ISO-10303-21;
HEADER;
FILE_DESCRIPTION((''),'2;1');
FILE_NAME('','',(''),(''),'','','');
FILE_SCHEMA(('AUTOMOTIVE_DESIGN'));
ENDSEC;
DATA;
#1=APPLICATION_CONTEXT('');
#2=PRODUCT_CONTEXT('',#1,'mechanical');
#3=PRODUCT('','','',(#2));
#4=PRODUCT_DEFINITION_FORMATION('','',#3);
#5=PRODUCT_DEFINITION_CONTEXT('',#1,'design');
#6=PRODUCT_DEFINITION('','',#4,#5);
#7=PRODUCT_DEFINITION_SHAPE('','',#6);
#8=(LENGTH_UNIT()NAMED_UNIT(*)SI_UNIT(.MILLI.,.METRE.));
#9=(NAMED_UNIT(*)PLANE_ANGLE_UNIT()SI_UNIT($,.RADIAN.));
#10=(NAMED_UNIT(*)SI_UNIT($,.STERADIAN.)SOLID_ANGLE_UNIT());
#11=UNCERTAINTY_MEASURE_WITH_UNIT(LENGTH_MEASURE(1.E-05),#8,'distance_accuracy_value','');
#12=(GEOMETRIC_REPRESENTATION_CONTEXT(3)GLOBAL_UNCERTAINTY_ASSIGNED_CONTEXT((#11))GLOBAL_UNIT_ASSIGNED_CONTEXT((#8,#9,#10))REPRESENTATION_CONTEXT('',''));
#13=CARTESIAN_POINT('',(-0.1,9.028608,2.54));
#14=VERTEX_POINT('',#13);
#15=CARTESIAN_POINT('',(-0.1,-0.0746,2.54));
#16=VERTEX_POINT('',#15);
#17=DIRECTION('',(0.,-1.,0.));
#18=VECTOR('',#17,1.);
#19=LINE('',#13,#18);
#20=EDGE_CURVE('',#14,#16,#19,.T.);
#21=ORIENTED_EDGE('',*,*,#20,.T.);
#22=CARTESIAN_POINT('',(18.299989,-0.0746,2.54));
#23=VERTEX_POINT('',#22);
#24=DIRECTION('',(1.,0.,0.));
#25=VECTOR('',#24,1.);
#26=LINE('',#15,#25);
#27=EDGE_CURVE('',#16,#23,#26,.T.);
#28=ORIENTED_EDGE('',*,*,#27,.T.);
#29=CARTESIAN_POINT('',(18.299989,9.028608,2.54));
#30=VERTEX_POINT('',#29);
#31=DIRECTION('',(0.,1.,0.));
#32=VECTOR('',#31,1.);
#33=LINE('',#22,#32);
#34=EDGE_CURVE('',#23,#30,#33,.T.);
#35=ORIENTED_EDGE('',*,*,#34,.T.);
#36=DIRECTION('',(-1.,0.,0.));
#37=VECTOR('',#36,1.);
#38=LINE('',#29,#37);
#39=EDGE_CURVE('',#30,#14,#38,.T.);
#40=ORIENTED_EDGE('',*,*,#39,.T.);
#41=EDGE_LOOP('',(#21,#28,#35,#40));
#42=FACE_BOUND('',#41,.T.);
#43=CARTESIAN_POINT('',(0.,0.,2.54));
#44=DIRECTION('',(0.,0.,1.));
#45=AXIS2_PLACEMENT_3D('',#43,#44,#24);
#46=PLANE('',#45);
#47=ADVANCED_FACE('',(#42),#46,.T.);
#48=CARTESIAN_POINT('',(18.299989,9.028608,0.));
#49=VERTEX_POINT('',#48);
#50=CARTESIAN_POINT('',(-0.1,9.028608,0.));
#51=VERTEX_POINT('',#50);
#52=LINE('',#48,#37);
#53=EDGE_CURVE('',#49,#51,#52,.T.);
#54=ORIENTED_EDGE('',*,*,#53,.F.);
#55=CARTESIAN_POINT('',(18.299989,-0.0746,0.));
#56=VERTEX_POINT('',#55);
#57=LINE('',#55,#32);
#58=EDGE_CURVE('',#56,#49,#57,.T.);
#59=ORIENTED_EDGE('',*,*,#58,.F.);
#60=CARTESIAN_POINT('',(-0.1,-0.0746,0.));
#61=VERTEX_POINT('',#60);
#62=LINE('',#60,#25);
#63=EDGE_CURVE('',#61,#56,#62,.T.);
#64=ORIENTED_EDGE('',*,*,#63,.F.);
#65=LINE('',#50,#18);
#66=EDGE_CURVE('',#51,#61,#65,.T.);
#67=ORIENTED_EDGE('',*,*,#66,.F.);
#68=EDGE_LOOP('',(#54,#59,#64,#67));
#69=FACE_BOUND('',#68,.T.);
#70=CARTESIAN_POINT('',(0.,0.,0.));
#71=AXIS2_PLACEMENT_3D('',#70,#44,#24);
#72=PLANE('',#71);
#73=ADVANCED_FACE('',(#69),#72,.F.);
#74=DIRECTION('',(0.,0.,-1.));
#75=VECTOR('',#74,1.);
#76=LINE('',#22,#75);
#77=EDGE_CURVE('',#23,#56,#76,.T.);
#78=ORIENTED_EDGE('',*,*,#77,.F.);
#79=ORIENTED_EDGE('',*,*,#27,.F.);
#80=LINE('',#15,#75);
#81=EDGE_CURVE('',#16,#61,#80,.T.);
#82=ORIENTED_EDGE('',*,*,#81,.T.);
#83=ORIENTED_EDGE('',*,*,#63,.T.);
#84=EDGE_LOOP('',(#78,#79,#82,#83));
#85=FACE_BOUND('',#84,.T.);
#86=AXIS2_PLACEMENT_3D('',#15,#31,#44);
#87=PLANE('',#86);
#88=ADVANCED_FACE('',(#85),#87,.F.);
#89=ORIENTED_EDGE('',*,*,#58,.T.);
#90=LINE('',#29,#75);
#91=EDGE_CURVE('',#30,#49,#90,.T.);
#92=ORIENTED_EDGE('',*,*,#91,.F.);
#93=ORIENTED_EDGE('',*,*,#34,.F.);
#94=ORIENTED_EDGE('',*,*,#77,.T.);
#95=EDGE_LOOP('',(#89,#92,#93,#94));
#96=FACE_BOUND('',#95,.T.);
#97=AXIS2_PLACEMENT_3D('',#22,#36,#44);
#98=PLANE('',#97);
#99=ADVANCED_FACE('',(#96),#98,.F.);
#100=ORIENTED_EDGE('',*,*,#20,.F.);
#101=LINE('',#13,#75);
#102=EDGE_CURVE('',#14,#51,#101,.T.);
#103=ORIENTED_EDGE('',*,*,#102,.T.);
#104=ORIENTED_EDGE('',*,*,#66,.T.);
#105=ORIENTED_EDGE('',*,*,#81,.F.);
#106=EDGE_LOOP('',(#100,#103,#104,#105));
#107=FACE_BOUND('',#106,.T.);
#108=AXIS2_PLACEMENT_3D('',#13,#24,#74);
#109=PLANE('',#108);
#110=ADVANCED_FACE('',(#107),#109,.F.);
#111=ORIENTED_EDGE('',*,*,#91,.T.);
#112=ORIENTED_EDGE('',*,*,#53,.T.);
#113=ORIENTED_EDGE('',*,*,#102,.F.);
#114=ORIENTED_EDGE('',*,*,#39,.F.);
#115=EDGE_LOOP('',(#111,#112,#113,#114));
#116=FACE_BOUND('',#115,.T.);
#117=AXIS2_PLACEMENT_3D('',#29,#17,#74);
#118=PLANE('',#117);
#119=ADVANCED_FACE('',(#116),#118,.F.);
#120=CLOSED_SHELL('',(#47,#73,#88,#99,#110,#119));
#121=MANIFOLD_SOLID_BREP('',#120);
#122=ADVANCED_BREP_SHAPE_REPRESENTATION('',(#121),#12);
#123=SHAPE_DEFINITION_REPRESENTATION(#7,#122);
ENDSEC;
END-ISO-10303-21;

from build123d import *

# Parameters (mm, degrees)
SKETCH1_W               = 18.3999886
SKETCH1_H               = 9.1032076
COMPONENT_OUTLINE_DEPTH = 2.54


with BuildPart() as part:
    # Sketch1 → Component_Outline (new body)
    with BuildSketch(Plane.XY):
        with Locations((9.0999945, 4.477004)):
            Rectangle(SKETCH1_W, SKETCH1_H)
    extrude(amount=COMPONENT_OUTLINE_DEPTH)


solid = part.part
